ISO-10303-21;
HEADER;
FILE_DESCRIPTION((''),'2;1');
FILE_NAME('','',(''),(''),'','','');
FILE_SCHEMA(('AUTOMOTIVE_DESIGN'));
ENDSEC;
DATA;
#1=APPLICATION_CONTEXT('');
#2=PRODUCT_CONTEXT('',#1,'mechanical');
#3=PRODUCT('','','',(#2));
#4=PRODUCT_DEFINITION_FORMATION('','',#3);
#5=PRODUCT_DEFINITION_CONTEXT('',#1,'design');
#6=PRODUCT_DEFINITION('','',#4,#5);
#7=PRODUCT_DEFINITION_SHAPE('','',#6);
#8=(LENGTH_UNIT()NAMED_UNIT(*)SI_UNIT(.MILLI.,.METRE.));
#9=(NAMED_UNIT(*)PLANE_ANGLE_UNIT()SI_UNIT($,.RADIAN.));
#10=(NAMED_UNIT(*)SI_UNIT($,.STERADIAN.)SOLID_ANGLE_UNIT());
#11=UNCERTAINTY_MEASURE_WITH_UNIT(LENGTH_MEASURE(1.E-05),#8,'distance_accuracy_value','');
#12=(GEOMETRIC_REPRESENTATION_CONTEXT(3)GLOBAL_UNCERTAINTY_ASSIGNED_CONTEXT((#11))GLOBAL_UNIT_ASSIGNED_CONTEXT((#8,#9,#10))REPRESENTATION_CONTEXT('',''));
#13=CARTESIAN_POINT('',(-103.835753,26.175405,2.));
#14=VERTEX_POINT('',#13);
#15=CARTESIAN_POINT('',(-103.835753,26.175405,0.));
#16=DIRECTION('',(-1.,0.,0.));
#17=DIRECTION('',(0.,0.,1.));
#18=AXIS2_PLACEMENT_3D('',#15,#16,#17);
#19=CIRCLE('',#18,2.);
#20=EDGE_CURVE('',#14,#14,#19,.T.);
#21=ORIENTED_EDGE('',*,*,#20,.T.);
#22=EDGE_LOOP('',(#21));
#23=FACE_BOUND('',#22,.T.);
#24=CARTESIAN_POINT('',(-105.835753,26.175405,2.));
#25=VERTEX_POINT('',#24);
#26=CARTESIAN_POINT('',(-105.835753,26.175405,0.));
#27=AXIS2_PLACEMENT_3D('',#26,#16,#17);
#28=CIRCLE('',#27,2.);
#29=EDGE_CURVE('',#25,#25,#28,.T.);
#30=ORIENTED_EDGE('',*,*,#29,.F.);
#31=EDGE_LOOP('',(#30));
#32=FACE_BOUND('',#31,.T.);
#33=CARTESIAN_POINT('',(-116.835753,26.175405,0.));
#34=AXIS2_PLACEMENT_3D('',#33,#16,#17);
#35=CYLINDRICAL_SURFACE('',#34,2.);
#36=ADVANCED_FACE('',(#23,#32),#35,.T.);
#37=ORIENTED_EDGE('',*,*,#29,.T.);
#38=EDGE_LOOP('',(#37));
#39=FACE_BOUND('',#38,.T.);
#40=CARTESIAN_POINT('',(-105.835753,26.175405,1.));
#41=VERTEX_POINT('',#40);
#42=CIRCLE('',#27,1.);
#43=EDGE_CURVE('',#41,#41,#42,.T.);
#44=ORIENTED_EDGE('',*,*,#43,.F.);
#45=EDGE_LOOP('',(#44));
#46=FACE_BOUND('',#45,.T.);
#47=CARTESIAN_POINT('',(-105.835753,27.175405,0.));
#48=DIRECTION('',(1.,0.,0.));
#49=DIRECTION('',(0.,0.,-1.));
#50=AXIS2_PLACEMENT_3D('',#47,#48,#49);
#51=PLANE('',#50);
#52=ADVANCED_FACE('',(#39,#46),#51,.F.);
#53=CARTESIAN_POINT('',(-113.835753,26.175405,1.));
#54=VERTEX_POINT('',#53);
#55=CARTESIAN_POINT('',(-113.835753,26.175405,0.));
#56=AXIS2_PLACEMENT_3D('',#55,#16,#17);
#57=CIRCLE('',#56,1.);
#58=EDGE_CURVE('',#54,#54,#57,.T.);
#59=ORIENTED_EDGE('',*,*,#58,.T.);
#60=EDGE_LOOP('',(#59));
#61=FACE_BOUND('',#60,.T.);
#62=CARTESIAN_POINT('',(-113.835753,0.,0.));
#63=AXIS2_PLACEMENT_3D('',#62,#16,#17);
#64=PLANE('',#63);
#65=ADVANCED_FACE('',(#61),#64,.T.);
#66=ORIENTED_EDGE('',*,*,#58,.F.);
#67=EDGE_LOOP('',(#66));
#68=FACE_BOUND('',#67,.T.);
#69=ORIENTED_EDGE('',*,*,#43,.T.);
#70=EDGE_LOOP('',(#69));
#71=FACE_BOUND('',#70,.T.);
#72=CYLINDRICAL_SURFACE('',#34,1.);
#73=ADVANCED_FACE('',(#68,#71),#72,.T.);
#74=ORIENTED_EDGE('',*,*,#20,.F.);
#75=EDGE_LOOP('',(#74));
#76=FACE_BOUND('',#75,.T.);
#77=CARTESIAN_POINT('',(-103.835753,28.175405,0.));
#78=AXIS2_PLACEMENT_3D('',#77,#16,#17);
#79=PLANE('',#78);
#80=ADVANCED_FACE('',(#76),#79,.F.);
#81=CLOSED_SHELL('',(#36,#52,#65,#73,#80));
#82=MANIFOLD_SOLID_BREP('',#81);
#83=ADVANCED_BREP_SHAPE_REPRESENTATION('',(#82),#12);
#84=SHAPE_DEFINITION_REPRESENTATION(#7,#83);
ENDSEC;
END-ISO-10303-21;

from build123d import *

# Parameters (mm, degrees)
SKETCH2_W          = 2.386092155
SKETCH2_H          = 2.248872797
CUT_EXTRUDE1_DEPTH = 3


with BuildPart() as part:
    # Sketch1 → Revolve1 (revolve)
    with BuildSketch(Plane.XY, mode=Mode.PRIVATE) as revolve1_sk:
        Polygon((-116.835752997, 27.175404574), (-105.835752997, 27.175404574), (-105.835752997, 28.175404574), (-103.835752997, 28.175404574), (-103.835752997, 26.175404574), (-116.835752997, 26.175404574), align=None)
    revolve(revolve1_sk.sketch.rotate(Axis((-116.835752997, 26.175404574, 0), (1, 0, 0)), 90), axis=Axis((-116.835752997, 26.175404574, 0), (1, 0, 0)))

    # Sketch2 → Cut-Extrude1 (cut)
    with BuildSketch(Plane.ZY.offset(116.835752997)):
        with Locations((0.019058245, 26.198274467)):
            Rectangle(SKETCH2_W, SKETCH2_H)
    extrude(amount=-CUT_EXTRUDE1_DEPTH, mode=Mode.SUBTRACT)


solid = part.part
